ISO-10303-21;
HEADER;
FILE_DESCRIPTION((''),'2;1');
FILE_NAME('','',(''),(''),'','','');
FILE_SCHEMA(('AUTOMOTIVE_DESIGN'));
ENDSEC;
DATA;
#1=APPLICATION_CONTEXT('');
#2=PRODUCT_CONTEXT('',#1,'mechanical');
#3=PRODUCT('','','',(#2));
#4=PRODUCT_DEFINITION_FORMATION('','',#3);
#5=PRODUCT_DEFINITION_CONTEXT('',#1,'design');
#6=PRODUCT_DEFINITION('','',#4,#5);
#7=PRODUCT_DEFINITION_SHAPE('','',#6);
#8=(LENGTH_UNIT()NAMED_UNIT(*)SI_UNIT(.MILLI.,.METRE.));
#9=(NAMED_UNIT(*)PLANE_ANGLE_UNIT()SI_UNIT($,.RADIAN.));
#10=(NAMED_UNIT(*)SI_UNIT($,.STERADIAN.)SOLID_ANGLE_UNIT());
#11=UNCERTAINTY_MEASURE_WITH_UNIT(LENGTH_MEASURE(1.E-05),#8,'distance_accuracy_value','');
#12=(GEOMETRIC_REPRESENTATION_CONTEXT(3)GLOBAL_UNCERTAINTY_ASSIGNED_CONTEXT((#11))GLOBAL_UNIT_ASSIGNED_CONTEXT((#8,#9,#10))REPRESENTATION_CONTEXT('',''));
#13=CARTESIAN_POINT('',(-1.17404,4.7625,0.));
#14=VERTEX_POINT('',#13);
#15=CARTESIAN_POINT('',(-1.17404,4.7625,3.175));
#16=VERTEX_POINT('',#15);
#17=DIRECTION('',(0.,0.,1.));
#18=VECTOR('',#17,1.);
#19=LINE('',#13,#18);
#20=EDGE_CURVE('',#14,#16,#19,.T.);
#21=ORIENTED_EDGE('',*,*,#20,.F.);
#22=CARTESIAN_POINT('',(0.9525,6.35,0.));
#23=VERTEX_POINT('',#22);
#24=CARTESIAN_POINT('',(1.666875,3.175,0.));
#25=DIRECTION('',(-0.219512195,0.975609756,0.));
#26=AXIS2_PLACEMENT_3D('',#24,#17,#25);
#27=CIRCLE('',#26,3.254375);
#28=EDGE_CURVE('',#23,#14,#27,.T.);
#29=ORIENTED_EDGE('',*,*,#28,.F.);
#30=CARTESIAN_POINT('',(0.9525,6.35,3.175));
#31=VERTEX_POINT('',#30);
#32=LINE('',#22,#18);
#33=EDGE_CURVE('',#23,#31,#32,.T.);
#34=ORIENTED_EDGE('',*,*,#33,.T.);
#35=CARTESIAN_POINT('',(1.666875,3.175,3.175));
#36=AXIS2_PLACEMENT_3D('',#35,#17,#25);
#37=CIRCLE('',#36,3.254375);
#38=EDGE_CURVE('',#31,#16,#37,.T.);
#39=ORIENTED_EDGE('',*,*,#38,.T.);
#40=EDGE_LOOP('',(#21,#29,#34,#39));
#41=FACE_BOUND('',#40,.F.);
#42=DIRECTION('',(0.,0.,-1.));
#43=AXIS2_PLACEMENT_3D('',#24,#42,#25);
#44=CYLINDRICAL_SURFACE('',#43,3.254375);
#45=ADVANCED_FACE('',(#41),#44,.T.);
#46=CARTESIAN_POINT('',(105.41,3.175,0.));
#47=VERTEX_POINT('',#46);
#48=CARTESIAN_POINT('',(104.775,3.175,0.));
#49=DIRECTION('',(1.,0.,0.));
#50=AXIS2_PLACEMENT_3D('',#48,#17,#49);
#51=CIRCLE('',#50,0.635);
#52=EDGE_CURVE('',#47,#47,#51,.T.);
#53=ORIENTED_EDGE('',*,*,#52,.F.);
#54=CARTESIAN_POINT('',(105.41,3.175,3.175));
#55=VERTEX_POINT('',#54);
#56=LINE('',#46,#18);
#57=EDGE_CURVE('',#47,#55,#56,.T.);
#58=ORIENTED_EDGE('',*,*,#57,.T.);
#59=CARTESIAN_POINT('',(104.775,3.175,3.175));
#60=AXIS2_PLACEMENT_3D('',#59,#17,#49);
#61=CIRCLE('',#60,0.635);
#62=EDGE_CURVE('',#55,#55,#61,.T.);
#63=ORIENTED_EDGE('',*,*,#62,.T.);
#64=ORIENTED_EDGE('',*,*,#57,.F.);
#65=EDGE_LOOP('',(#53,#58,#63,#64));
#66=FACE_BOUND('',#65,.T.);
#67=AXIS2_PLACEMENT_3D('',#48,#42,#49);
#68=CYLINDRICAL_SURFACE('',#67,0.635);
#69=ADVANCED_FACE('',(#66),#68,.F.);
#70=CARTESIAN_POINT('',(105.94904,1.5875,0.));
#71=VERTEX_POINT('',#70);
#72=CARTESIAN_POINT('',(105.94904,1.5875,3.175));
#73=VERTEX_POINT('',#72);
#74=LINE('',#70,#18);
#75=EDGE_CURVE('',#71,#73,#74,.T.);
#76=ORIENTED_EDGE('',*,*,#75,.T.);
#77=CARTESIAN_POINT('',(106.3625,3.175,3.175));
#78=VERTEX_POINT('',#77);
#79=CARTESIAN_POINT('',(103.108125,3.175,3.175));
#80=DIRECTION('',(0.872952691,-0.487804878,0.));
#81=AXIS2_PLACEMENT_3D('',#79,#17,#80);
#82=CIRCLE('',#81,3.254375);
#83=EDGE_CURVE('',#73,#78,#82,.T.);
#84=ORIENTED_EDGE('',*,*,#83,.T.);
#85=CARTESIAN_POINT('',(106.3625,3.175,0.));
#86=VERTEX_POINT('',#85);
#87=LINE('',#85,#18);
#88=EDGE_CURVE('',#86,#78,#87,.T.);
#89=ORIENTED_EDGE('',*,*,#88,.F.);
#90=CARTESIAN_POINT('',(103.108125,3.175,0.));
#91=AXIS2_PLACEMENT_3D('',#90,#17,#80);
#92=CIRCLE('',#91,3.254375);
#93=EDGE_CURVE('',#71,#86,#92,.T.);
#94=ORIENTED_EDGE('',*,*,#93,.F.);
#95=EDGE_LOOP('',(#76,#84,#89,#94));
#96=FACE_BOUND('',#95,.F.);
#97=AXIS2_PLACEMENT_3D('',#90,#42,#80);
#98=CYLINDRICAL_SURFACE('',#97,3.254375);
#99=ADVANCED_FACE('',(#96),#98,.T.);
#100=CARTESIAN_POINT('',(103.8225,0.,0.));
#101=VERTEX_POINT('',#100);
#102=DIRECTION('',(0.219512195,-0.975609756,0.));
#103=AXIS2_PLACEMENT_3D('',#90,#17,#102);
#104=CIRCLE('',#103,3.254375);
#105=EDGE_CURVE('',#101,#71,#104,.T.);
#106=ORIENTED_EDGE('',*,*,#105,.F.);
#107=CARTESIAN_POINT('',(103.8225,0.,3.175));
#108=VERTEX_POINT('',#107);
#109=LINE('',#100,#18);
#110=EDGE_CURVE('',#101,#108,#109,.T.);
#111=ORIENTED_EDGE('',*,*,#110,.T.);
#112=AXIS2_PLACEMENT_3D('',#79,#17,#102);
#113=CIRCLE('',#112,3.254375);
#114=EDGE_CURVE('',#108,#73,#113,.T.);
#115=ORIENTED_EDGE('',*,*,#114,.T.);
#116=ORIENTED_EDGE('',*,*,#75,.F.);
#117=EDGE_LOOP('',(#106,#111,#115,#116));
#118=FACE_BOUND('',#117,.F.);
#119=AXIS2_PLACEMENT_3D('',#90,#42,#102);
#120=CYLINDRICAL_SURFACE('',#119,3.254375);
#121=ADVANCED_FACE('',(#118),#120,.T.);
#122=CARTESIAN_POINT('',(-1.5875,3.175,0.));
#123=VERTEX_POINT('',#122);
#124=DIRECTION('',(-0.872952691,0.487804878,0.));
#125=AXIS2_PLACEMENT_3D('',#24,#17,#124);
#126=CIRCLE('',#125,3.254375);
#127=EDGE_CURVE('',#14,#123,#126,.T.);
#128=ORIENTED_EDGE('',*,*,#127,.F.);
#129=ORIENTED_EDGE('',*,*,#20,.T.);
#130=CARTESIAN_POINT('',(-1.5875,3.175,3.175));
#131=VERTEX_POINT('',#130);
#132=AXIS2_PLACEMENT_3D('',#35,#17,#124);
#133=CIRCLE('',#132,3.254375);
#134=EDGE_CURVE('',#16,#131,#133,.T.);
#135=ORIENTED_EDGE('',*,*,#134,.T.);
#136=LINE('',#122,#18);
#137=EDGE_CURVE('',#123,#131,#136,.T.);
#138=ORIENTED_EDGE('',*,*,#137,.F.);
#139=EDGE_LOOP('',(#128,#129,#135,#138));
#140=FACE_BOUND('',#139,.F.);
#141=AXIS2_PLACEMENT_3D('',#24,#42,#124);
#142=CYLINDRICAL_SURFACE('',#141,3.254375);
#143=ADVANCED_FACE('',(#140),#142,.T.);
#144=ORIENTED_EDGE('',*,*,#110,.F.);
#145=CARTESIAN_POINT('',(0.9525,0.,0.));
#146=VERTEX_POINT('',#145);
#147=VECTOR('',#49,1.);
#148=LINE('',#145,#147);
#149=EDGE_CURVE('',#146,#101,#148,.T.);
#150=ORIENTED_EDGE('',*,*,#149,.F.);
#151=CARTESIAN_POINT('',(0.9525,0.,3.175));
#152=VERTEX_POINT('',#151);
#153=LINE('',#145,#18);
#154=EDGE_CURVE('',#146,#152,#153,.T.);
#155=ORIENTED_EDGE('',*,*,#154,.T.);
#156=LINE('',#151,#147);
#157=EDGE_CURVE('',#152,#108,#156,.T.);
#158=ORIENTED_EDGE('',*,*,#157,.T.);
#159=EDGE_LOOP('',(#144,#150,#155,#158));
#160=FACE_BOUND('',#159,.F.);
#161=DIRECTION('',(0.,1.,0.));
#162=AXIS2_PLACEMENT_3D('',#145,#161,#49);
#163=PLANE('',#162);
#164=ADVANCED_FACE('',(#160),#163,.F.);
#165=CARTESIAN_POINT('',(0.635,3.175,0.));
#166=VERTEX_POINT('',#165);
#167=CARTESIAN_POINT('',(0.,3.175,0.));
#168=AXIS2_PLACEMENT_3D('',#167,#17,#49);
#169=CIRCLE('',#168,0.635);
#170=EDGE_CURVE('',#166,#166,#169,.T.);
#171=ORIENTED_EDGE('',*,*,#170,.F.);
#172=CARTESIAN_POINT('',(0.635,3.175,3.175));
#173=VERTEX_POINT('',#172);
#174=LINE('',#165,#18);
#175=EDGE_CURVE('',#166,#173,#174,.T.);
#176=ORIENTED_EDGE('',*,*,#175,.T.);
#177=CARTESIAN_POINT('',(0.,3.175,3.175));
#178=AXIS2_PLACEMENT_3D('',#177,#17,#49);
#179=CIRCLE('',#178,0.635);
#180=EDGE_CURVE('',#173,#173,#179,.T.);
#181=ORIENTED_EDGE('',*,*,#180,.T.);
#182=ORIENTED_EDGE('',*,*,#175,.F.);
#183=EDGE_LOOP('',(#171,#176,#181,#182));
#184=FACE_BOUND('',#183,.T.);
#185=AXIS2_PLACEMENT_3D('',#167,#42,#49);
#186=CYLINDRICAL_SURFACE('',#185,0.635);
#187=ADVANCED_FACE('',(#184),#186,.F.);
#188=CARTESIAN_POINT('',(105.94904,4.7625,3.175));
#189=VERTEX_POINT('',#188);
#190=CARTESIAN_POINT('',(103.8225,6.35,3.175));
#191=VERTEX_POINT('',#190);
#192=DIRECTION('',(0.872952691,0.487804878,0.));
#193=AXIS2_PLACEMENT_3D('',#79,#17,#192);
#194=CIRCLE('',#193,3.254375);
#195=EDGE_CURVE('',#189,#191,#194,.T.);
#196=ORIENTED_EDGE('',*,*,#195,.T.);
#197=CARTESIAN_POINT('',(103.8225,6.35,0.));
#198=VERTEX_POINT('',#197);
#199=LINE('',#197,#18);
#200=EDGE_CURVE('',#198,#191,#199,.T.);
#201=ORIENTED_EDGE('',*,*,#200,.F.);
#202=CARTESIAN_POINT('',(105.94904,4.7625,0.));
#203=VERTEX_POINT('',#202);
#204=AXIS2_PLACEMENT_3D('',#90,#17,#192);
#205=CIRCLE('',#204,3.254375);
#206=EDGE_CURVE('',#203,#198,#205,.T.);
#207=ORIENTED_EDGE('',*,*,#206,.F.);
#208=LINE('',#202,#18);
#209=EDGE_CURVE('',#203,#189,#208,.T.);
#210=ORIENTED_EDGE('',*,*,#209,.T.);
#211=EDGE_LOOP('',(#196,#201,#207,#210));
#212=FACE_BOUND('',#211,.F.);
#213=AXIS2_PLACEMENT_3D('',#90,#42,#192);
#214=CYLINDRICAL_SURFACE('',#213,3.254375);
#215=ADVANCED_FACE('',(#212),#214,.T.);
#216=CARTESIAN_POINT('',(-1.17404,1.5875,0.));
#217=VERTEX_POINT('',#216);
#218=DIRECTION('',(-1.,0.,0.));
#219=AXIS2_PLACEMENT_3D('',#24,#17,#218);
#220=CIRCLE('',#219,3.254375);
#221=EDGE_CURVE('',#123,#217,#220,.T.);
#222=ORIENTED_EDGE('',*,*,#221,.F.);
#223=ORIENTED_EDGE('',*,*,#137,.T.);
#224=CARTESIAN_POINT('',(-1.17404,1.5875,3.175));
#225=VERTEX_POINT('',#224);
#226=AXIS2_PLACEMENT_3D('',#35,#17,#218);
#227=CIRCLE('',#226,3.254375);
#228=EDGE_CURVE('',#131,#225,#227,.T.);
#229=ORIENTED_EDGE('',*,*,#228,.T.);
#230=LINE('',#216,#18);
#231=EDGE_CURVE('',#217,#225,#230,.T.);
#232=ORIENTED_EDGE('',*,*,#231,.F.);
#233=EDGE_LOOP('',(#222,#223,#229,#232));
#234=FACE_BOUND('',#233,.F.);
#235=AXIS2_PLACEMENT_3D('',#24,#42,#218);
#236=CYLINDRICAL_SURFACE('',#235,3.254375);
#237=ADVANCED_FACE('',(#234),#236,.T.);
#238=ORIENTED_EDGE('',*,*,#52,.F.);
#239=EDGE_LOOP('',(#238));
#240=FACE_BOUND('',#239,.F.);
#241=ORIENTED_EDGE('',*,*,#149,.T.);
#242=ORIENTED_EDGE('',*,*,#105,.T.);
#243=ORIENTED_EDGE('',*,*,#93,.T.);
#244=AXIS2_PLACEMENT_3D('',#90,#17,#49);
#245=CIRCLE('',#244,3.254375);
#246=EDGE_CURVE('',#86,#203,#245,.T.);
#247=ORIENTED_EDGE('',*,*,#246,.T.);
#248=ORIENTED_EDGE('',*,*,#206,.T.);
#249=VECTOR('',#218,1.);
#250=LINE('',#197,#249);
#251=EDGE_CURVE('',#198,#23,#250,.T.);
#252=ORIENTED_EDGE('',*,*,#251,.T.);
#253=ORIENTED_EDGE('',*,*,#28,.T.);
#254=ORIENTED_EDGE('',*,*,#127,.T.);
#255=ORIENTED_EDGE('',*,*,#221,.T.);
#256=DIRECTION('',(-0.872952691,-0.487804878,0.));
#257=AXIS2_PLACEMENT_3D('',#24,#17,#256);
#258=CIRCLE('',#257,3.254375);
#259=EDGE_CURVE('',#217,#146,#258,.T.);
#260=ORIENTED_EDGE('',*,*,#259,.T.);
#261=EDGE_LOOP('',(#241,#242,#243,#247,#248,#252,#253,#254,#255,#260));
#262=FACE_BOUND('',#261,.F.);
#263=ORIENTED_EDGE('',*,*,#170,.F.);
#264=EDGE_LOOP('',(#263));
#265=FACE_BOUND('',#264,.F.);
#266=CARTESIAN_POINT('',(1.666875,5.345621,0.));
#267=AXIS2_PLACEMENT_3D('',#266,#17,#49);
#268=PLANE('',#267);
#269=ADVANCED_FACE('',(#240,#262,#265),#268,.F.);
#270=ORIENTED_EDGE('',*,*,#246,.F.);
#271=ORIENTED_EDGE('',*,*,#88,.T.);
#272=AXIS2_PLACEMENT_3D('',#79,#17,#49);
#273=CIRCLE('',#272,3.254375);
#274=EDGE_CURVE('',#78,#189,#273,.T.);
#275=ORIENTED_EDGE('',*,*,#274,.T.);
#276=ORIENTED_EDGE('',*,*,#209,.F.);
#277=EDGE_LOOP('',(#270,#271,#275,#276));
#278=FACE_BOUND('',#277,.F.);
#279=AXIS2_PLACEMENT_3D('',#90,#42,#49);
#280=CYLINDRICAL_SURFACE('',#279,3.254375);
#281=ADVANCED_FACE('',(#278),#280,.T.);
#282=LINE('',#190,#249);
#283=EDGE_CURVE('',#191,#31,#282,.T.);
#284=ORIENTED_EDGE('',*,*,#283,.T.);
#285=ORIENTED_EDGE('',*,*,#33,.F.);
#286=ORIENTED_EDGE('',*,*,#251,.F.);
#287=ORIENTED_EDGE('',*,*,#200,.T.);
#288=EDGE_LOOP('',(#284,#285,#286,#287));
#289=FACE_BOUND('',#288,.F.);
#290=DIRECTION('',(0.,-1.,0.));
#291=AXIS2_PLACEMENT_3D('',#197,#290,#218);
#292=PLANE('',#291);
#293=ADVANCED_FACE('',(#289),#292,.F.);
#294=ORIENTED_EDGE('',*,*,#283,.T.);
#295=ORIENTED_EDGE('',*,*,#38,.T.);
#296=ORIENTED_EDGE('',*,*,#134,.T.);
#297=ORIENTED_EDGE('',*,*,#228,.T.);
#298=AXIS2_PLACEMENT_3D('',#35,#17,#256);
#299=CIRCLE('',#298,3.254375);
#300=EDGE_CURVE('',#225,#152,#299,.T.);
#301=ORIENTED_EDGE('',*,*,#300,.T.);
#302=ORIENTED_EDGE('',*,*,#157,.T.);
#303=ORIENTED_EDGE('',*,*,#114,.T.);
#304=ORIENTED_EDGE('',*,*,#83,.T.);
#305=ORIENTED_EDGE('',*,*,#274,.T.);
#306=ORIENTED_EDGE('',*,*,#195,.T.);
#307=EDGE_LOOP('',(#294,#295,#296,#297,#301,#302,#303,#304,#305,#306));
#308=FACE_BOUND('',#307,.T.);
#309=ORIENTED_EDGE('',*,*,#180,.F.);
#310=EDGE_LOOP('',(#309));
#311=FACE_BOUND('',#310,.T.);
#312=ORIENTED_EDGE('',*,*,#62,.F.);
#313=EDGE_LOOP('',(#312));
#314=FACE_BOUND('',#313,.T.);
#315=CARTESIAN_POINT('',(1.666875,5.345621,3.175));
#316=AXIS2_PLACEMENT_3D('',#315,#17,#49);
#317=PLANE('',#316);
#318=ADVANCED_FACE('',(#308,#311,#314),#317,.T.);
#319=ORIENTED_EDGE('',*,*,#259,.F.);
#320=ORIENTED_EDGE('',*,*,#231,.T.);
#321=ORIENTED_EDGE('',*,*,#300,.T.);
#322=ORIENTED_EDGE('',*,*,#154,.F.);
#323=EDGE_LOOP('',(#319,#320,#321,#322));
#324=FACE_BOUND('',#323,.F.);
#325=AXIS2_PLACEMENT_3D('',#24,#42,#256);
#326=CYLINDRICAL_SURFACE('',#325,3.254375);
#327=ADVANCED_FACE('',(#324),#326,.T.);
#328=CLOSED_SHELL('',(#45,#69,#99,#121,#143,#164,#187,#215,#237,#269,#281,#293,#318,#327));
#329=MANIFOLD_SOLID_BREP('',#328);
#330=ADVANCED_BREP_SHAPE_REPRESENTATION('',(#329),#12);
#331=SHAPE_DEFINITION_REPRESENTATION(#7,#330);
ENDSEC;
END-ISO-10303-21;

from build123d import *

# Parameters (mm, degrees)
F1_R     = 0.635
F2_DEPTH = 3.175


with BuildPart() as f2:
    # F1 (on Top) → F2 (new body)
    with BuildSketch(Plane.XY):
        with BuildLine():
            ThreePointArc((0.9525, 6.35), (-0.2799330401, 5.7828525832), (-1.1740404142, 4.7625))
            Line((-1.1740404142, 4.7625), (4.5077904142, 4.7625))
            ThreePointArc((4.5077904142, 4.7625), (3.6136830401, 5.7828525832), (2.38125, 6.35))
            Line((2.38125, 6.35), (0.9525, 6.35))
        make_face()
        with BuildLine():
            Line((4.5077904142, 4.7625), (-1.1740404142, 4.7625))
            ThreePointArc((-1.1740404142, 4.7625), (-1.4824392699, 3.9952294007), (-1.5875, 3.175))
            ThreePointArc((-1.5875, 3.175), (-1.4824392699, 2.3547705993), (-1.1740404142, 1.5875))
            Line((-1.1740404142, 1.5875), (4.5077904142, 1.5875))
            ThreePointArc((4.5077904142, 1.5875), (4.8161892699, 2.3547705993), (4.92125, 3.175))
            ThreePointArc((4.92125, 3.175), (4.8161892699, 3.9952294007), (4.5077904142, 4.7625))
        make_face()
        with Locations((0, 3.175)):
            Circle(F1_R, mode=Mode.SUBTRACT)
        with BuildLine():
            Line((4.5077904142, 1.5875), (-1.1740404142, 1.5875))
            ThreePointArc((-1.1740404142, 1.5875), (-0.2799330401, 0.5671474168), (0.9525, 0))
            Line((0.9525, 0), (2.38125, 0))
            ThreePointArc((2.38125, 0), (3.6136830401, 0.5671474168), (4.5077904142, 1.5875))
        make_face()
        with BuildLine():
            Line((100.2672095858, 1.5875), (4.5077904142, 1.5875))
            ThreePointArc((4.5077904142, 1.5875), (3.6136830401, 0.5671474168), (2.38125, 0))
            Line((2.38125, 0), (102.39375, 0))
            ThreePointArc((102.39375, 0), (101.1613169599, 0.5671474168), (100.2672095858, 1.5875))
        make_face()
        with BuildLine():
            ThreePointArc((2.38125, 6.35), (3.6136830401, 5.7828525832), (4.5077904142, 4.7625))
            Line((4.5077904142, 4.7625), (100.2672095858, 4.7625))
            ThreePointArc((100.2672095858, 4.7625), (101.1613169599, 5.7828525832), (102.39375, 6.35))
            Line((102.39375, 6.35), (2.38125, 6.35))
        make_face()
        with BuildLine():
            Line((100.2672095858, 4.7625), (4.5077904142, 4.7625))
            ThreePointArc((4.5077904142, 4.7625), (4.8161892699, 3.9952294007), (4.92125, 3.175))
            ThreePointArc((4.92125, 3.175), (4.8161892699, 2.3547705993), (4.5077904142, 1.5875))
            Line((4.5077904142, 1.5875), (100.2672095858, 1.5875))
            ThreePointArc((100.2672095858, 1.5875), (99.85375, 3.175), (100.2672095858, 4.7625))
        make_face()
        with BuildLine():
            ThreePointArc((102.39375, 6.35), (101.1613169599, 5.7828525832), (100.2672095858, 4.7625))
            Line((100.2672095858, 4.7625), (105.9490404142, 4.7625))
            ThreePointArc((105.9490404142, 4.7625), (105.0549330401, 5.7828525832), (103.8225, 6.35))
            Line((103.8225, 6.35), (102.39375, 6.35))
        make_face()
        with BuildLine():
            Line((105.9490404142, 4.7625), (100.2672095858, 4.7625))
            ThreePointArc((100.2672095858, 4.7625), (99.85375, 3.175), (100.2672095858, 1.5875))
            Line((100.2672095858, 1.5875), (105.9490404142, 1.5875))
            ThreePointArc((105.9490404142, 1.5875), (106.2574392699, 2.3547705993), (106.3625, 3.175))
            ThreePointArc((106.3625, 3.175), (106.2574392699, 3.9952294007), (105.9490404142, 4.7625))
        make_face()
        with Locations((104.775, 3.175)):
            Circle(F1_R, mode=Mode.SUBTRACT)
        with BuildLine():
            Line((105.9490404142, 1.5875), (100.2672095858, 1.5875))
            ThreePointArc((100.2672095858, 1.5875), (101.1613169599, 0.5671474168), (102.39375, 0))
            Line((102.39375, 0), (103.8225, 0))
            ThreePointArc((103.8225, 0), (105.0549330401, 0.5671474168), (105.9490404142, 1.5875))
        make_face()
    extrude(amount=F2_DEPTH)


solid = f2.part
